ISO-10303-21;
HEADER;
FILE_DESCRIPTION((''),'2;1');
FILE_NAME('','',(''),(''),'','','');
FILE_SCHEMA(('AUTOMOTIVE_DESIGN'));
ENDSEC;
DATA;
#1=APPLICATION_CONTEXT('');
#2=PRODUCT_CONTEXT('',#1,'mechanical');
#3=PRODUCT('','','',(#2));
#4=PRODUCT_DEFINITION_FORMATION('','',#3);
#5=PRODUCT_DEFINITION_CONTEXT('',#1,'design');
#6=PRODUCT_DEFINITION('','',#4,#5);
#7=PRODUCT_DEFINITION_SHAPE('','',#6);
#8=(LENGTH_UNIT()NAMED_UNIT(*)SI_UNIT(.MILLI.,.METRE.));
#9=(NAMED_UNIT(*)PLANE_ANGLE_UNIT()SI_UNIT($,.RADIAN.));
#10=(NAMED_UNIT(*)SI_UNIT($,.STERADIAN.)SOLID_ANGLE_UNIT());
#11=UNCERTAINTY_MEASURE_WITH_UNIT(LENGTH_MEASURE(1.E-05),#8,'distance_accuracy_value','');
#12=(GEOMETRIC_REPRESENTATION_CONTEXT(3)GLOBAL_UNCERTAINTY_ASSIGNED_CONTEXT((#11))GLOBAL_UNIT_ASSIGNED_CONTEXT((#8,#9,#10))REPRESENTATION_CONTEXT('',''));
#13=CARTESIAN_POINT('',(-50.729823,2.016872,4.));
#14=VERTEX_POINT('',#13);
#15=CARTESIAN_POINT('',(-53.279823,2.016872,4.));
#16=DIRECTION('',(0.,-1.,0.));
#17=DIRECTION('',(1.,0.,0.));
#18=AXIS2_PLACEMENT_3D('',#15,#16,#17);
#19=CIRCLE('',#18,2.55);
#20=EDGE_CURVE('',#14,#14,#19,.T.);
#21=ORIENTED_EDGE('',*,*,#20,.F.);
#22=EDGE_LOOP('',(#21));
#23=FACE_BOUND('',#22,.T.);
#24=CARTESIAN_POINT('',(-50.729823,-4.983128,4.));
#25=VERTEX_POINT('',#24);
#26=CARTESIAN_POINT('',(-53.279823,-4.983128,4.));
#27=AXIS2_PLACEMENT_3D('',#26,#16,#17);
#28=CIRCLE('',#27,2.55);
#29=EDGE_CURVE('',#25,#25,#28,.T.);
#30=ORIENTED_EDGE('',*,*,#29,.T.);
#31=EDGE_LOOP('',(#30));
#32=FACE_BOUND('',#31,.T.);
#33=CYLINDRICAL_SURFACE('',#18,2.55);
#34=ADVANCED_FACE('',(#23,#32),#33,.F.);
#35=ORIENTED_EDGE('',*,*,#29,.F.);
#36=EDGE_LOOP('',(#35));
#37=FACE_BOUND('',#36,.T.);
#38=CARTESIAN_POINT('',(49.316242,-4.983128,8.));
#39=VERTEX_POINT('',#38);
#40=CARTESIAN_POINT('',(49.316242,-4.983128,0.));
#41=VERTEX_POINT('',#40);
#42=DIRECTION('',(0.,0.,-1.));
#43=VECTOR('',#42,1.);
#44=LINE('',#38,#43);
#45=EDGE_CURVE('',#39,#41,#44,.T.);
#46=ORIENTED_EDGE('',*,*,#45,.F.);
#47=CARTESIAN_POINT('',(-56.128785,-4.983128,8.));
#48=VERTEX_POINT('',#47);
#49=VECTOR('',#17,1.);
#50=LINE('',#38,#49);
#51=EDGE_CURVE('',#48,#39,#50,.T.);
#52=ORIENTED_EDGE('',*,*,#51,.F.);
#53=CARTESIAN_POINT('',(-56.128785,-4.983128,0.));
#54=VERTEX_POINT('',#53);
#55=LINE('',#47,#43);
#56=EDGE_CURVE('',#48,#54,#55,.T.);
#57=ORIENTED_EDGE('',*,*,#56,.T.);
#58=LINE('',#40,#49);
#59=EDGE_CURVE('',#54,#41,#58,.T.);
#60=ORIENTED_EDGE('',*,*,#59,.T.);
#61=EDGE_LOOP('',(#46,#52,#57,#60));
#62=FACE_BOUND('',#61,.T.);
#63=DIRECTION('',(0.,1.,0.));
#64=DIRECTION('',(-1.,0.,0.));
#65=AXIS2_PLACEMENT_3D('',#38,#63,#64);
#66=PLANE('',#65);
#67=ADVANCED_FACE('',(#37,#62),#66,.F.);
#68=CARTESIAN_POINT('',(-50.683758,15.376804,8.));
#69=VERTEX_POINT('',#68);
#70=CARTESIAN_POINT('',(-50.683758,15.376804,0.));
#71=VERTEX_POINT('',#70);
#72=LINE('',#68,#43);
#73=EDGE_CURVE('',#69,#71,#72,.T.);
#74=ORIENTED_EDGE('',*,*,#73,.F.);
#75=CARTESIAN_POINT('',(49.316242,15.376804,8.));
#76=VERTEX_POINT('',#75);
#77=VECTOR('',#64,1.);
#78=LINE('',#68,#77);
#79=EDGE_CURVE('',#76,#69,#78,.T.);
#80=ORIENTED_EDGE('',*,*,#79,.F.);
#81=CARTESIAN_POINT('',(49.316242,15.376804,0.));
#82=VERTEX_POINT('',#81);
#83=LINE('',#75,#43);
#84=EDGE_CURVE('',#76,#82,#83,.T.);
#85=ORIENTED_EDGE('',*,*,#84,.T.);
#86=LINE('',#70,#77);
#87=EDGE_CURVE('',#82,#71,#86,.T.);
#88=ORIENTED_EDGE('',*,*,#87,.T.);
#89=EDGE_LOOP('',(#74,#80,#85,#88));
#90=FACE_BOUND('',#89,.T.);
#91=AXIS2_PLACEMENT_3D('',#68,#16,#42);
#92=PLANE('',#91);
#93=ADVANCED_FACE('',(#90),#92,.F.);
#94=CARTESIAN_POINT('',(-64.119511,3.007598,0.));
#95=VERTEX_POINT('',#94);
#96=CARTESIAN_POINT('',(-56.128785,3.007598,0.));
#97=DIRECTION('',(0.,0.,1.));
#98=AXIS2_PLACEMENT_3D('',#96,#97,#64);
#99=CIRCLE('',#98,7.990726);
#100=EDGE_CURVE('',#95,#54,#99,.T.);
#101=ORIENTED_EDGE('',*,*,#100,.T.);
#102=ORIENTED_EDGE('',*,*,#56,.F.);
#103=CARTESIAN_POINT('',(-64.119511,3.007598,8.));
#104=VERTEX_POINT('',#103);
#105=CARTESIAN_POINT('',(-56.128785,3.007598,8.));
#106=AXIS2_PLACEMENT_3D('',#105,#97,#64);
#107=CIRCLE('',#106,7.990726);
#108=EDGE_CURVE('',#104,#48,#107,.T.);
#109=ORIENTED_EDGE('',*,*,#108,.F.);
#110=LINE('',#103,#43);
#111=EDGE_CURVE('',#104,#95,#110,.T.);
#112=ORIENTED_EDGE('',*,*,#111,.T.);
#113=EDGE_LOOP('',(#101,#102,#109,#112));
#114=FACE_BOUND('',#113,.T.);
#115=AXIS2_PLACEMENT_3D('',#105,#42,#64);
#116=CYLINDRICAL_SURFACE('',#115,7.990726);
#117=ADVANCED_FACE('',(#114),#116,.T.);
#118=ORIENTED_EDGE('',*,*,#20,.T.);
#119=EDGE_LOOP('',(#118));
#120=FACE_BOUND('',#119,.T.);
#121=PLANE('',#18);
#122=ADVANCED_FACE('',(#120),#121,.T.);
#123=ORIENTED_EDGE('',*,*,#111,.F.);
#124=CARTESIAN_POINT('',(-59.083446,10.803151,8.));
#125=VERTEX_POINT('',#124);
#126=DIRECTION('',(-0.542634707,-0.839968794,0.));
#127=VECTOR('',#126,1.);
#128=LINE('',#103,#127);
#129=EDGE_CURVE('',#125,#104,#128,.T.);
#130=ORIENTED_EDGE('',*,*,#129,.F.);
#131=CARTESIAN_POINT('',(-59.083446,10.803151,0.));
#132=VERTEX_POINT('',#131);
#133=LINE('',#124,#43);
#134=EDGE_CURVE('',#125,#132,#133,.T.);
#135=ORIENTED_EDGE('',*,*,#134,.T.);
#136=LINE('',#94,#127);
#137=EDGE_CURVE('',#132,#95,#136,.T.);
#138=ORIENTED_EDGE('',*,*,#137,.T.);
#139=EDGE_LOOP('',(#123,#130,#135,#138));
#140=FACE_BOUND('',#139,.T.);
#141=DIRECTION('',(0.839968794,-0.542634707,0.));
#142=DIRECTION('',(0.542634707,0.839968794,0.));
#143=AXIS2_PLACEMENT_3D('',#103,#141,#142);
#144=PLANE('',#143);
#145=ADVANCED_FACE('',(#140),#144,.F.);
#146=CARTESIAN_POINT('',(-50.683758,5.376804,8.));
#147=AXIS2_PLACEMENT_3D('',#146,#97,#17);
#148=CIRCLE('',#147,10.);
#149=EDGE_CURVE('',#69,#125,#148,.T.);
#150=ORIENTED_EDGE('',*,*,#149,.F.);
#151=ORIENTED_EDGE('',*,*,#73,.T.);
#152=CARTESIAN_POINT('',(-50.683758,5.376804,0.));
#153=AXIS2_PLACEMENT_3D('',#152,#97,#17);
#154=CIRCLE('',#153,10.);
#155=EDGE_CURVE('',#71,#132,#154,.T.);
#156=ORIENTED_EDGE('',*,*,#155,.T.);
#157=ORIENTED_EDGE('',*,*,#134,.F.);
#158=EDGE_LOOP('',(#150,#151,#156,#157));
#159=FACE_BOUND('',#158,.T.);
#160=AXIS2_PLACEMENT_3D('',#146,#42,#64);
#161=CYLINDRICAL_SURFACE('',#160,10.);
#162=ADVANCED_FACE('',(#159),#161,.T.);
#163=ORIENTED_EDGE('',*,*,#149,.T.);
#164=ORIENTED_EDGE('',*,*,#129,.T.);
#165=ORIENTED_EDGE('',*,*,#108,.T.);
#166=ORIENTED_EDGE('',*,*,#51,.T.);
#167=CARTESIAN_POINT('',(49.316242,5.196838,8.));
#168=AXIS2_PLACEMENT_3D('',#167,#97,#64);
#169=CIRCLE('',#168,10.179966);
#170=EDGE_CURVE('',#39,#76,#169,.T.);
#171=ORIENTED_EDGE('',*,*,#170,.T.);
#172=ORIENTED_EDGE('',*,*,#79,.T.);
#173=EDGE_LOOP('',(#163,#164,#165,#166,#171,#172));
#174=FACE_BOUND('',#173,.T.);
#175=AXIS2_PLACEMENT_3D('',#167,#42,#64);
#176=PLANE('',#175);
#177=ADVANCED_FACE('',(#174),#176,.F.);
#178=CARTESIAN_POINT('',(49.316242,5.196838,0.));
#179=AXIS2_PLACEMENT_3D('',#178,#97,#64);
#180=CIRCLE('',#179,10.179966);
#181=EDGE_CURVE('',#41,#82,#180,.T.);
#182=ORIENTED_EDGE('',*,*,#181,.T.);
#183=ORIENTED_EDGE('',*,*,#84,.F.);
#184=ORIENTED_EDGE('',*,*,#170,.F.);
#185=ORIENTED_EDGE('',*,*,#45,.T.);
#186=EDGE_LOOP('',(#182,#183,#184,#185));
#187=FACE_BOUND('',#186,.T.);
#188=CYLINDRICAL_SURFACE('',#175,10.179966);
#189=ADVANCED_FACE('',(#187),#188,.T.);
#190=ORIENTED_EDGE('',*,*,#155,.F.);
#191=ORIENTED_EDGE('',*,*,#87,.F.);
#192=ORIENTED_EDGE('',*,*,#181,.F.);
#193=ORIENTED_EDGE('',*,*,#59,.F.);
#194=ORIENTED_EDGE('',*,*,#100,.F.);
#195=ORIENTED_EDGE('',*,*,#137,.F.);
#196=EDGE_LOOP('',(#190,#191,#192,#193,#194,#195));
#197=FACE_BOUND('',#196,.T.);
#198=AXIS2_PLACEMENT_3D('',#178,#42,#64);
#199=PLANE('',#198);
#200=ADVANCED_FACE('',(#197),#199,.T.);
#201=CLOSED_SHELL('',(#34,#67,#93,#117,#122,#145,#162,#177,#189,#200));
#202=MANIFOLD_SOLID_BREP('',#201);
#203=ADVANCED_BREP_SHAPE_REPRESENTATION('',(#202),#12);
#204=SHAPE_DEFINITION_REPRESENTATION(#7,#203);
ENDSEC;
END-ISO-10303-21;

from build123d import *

# Parameters (mm, degrees)
BOSS_EXTRUDE1_DEPTH = 8
SKETCH4_R           = 2.55
CUT_EXTRUDE1_DEPTH  = 7


with BuildPart() as part:
    # Sketch2 → Boss-Extrude1 (new body)
    with BuildSketch(Plane.XY):
        with BuildLine():
            Line((-50.683757693, 15.376803881), (49.316242307, 15.376803881))
            ThreePointArc((49.316242307, 15.376803881), (59.496208487, 5.196837701), (49.316242307, -4.98312848))
            Line((49.316242307, -4.98312848), (-56.12878489, -4.98312848))
            ThreePointArc((-56.12878489, -4.98312848), (-61.779081531, -2.642698979), (-64.119511032, 3.007597662))
            Line((-64.119511032, 3.007597662), (-59.08344563, 10.803150955))
            ThreePointArc((-59.08344563, 10.803150955), (-55.465835132, 14.15927138), (-50.683757693, 15.376803881))
        make_face()
    extrude(amount=BOSS_EXTRUDE1_DEPTH)

    # Sketch4 → Cut-Extrude1 (cut)
    with BuildSketch(Plane.XZ.offset(4.98312848)):
        with Locations((-53.279822917, 4)):
            Circle(SKETCH4_R)
    extrude(amount=-CUT_EXTRUDE1_DEPTH, mode=Mode.SUBTRACT)


solid = part.part
